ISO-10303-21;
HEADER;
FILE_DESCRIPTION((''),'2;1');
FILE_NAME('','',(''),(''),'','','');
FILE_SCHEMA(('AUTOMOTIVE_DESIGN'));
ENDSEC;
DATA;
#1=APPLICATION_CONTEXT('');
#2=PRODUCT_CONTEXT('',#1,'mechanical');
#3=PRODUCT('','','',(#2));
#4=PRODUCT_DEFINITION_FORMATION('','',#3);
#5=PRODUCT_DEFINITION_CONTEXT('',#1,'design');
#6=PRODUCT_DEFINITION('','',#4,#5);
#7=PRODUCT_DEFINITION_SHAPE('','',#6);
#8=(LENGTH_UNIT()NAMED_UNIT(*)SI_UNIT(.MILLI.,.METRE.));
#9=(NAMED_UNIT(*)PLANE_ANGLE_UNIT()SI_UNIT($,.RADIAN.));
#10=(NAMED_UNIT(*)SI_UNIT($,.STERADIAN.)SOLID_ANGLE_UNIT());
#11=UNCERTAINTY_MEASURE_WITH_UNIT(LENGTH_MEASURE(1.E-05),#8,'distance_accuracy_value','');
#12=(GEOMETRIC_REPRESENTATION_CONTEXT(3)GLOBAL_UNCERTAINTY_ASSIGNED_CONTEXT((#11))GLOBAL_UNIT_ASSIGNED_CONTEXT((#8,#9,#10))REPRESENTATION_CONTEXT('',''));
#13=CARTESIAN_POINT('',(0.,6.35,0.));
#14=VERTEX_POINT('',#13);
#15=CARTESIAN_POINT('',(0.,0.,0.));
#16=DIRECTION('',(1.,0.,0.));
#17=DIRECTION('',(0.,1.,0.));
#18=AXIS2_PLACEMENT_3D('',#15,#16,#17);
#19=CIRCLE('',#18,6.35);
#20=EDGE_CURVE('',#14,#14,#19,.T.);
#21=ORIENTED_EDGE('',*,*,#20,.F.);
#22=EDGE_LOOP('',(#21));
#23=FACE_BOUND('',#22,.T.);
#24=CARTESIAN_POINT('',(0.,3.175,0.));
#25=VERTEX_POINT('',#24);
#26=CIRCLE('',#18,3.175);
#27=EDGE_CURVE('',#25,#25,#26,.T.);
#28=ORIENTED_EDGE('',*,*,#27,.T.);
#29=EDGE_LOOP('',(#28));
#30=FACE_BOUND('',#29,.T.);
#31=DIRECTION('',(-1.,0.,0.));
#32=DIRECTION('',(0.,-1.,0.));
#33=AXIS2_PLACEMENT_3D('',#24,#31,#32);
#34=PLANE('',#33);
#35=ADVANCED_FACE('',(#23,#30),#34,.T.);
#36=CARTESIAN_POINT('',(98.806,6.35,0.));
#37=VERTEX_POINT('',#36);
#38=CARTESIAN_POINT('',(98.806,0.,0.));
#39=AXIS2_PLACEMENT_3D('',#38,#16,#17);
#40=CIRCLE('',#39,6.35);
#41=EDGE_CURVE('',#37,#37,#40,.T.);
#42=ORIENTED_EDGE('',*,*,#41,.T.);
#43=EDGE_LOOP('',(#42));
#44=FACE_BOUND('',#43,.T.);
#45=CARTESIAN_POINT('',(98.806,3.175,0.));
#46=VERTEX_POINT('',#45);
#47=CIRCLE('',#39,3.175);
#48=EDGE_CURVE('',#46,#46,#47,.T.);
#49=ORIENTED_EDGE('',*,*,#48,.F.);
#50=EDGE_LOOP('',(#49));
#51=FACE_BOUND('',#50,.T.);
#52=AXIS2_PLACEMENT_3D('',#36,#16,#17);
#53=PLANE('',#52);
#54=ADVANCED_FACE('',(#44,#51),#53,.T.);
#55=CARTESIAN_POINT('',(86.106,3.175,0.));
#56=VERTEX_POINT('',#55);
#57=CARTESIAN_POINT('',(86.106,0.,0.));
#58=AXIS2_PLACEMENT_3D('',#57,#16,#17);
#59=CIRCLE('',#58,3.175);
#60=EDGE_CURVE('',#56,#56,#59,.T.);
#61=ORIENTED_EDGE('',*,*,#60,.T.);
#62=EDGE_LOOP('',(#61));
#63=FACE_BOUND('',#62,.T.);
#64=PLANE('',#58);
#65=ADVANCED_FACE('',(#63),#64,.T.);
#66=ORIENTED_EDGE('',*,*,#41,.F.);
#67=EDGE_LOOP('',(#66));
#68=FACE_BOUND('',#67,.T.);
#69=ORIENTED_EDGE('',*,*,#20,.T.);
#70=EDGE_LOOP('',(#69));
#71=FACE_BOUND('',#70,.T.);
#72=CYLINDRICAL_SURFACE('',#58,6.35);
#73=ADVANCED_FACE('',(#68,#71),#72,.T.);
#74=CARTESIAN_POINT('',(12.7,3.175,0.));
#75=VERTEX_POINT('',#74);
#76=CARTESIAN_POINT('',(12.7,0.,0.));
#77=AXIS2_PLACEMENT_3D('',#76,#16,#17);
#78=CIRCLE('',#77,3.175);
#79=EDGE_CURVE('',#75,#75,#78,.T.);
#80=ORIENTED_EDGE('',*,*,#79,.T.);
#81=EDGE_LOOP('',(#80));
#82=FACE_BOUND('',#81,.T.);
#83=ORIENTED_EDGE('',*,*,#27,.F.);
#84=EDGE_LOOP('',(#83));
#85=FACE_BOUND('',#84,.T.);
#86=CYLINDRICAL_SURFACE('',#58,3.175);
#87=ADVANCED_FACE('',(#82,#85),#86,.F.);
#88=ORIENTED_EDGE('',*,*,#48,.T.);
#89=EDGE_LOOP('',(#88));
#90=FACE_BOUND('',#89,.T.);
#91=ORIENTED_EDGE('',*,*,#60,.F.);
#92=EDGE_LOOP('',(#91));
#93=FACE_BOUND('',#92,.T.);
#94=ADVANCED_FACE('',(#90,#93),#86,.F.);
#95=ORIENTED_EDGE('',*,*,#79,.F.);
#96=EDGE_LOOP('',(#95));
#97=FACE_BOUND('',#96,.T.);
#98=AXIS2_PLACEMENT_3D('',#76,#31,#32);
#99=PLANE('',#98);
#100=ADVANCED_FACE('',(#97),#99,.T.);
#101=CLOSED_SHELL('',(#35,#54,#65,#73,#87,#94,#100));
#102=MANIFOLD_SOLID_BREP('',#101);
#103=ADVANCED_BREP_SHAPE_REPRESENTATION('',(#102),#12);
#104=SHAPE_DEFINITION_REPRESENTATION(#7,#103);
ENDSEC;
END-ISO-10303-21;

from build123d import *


with BuildPart() as part:
    # Sketch1 → Revolve1 (revolve)
    with BuildSketch(Plane.XY):
        Polygon((0, 3.175), (0, 6.35), (98.806, 6.35), (98.806, 3.175), (86.106, 3.175), (86.106, 0), (12.7, 0), (12.7, 3.175), align=None)
    revolve(axis=Axis((86.106, 0, 0), (-1, 0, 0)))


solid = part.part
